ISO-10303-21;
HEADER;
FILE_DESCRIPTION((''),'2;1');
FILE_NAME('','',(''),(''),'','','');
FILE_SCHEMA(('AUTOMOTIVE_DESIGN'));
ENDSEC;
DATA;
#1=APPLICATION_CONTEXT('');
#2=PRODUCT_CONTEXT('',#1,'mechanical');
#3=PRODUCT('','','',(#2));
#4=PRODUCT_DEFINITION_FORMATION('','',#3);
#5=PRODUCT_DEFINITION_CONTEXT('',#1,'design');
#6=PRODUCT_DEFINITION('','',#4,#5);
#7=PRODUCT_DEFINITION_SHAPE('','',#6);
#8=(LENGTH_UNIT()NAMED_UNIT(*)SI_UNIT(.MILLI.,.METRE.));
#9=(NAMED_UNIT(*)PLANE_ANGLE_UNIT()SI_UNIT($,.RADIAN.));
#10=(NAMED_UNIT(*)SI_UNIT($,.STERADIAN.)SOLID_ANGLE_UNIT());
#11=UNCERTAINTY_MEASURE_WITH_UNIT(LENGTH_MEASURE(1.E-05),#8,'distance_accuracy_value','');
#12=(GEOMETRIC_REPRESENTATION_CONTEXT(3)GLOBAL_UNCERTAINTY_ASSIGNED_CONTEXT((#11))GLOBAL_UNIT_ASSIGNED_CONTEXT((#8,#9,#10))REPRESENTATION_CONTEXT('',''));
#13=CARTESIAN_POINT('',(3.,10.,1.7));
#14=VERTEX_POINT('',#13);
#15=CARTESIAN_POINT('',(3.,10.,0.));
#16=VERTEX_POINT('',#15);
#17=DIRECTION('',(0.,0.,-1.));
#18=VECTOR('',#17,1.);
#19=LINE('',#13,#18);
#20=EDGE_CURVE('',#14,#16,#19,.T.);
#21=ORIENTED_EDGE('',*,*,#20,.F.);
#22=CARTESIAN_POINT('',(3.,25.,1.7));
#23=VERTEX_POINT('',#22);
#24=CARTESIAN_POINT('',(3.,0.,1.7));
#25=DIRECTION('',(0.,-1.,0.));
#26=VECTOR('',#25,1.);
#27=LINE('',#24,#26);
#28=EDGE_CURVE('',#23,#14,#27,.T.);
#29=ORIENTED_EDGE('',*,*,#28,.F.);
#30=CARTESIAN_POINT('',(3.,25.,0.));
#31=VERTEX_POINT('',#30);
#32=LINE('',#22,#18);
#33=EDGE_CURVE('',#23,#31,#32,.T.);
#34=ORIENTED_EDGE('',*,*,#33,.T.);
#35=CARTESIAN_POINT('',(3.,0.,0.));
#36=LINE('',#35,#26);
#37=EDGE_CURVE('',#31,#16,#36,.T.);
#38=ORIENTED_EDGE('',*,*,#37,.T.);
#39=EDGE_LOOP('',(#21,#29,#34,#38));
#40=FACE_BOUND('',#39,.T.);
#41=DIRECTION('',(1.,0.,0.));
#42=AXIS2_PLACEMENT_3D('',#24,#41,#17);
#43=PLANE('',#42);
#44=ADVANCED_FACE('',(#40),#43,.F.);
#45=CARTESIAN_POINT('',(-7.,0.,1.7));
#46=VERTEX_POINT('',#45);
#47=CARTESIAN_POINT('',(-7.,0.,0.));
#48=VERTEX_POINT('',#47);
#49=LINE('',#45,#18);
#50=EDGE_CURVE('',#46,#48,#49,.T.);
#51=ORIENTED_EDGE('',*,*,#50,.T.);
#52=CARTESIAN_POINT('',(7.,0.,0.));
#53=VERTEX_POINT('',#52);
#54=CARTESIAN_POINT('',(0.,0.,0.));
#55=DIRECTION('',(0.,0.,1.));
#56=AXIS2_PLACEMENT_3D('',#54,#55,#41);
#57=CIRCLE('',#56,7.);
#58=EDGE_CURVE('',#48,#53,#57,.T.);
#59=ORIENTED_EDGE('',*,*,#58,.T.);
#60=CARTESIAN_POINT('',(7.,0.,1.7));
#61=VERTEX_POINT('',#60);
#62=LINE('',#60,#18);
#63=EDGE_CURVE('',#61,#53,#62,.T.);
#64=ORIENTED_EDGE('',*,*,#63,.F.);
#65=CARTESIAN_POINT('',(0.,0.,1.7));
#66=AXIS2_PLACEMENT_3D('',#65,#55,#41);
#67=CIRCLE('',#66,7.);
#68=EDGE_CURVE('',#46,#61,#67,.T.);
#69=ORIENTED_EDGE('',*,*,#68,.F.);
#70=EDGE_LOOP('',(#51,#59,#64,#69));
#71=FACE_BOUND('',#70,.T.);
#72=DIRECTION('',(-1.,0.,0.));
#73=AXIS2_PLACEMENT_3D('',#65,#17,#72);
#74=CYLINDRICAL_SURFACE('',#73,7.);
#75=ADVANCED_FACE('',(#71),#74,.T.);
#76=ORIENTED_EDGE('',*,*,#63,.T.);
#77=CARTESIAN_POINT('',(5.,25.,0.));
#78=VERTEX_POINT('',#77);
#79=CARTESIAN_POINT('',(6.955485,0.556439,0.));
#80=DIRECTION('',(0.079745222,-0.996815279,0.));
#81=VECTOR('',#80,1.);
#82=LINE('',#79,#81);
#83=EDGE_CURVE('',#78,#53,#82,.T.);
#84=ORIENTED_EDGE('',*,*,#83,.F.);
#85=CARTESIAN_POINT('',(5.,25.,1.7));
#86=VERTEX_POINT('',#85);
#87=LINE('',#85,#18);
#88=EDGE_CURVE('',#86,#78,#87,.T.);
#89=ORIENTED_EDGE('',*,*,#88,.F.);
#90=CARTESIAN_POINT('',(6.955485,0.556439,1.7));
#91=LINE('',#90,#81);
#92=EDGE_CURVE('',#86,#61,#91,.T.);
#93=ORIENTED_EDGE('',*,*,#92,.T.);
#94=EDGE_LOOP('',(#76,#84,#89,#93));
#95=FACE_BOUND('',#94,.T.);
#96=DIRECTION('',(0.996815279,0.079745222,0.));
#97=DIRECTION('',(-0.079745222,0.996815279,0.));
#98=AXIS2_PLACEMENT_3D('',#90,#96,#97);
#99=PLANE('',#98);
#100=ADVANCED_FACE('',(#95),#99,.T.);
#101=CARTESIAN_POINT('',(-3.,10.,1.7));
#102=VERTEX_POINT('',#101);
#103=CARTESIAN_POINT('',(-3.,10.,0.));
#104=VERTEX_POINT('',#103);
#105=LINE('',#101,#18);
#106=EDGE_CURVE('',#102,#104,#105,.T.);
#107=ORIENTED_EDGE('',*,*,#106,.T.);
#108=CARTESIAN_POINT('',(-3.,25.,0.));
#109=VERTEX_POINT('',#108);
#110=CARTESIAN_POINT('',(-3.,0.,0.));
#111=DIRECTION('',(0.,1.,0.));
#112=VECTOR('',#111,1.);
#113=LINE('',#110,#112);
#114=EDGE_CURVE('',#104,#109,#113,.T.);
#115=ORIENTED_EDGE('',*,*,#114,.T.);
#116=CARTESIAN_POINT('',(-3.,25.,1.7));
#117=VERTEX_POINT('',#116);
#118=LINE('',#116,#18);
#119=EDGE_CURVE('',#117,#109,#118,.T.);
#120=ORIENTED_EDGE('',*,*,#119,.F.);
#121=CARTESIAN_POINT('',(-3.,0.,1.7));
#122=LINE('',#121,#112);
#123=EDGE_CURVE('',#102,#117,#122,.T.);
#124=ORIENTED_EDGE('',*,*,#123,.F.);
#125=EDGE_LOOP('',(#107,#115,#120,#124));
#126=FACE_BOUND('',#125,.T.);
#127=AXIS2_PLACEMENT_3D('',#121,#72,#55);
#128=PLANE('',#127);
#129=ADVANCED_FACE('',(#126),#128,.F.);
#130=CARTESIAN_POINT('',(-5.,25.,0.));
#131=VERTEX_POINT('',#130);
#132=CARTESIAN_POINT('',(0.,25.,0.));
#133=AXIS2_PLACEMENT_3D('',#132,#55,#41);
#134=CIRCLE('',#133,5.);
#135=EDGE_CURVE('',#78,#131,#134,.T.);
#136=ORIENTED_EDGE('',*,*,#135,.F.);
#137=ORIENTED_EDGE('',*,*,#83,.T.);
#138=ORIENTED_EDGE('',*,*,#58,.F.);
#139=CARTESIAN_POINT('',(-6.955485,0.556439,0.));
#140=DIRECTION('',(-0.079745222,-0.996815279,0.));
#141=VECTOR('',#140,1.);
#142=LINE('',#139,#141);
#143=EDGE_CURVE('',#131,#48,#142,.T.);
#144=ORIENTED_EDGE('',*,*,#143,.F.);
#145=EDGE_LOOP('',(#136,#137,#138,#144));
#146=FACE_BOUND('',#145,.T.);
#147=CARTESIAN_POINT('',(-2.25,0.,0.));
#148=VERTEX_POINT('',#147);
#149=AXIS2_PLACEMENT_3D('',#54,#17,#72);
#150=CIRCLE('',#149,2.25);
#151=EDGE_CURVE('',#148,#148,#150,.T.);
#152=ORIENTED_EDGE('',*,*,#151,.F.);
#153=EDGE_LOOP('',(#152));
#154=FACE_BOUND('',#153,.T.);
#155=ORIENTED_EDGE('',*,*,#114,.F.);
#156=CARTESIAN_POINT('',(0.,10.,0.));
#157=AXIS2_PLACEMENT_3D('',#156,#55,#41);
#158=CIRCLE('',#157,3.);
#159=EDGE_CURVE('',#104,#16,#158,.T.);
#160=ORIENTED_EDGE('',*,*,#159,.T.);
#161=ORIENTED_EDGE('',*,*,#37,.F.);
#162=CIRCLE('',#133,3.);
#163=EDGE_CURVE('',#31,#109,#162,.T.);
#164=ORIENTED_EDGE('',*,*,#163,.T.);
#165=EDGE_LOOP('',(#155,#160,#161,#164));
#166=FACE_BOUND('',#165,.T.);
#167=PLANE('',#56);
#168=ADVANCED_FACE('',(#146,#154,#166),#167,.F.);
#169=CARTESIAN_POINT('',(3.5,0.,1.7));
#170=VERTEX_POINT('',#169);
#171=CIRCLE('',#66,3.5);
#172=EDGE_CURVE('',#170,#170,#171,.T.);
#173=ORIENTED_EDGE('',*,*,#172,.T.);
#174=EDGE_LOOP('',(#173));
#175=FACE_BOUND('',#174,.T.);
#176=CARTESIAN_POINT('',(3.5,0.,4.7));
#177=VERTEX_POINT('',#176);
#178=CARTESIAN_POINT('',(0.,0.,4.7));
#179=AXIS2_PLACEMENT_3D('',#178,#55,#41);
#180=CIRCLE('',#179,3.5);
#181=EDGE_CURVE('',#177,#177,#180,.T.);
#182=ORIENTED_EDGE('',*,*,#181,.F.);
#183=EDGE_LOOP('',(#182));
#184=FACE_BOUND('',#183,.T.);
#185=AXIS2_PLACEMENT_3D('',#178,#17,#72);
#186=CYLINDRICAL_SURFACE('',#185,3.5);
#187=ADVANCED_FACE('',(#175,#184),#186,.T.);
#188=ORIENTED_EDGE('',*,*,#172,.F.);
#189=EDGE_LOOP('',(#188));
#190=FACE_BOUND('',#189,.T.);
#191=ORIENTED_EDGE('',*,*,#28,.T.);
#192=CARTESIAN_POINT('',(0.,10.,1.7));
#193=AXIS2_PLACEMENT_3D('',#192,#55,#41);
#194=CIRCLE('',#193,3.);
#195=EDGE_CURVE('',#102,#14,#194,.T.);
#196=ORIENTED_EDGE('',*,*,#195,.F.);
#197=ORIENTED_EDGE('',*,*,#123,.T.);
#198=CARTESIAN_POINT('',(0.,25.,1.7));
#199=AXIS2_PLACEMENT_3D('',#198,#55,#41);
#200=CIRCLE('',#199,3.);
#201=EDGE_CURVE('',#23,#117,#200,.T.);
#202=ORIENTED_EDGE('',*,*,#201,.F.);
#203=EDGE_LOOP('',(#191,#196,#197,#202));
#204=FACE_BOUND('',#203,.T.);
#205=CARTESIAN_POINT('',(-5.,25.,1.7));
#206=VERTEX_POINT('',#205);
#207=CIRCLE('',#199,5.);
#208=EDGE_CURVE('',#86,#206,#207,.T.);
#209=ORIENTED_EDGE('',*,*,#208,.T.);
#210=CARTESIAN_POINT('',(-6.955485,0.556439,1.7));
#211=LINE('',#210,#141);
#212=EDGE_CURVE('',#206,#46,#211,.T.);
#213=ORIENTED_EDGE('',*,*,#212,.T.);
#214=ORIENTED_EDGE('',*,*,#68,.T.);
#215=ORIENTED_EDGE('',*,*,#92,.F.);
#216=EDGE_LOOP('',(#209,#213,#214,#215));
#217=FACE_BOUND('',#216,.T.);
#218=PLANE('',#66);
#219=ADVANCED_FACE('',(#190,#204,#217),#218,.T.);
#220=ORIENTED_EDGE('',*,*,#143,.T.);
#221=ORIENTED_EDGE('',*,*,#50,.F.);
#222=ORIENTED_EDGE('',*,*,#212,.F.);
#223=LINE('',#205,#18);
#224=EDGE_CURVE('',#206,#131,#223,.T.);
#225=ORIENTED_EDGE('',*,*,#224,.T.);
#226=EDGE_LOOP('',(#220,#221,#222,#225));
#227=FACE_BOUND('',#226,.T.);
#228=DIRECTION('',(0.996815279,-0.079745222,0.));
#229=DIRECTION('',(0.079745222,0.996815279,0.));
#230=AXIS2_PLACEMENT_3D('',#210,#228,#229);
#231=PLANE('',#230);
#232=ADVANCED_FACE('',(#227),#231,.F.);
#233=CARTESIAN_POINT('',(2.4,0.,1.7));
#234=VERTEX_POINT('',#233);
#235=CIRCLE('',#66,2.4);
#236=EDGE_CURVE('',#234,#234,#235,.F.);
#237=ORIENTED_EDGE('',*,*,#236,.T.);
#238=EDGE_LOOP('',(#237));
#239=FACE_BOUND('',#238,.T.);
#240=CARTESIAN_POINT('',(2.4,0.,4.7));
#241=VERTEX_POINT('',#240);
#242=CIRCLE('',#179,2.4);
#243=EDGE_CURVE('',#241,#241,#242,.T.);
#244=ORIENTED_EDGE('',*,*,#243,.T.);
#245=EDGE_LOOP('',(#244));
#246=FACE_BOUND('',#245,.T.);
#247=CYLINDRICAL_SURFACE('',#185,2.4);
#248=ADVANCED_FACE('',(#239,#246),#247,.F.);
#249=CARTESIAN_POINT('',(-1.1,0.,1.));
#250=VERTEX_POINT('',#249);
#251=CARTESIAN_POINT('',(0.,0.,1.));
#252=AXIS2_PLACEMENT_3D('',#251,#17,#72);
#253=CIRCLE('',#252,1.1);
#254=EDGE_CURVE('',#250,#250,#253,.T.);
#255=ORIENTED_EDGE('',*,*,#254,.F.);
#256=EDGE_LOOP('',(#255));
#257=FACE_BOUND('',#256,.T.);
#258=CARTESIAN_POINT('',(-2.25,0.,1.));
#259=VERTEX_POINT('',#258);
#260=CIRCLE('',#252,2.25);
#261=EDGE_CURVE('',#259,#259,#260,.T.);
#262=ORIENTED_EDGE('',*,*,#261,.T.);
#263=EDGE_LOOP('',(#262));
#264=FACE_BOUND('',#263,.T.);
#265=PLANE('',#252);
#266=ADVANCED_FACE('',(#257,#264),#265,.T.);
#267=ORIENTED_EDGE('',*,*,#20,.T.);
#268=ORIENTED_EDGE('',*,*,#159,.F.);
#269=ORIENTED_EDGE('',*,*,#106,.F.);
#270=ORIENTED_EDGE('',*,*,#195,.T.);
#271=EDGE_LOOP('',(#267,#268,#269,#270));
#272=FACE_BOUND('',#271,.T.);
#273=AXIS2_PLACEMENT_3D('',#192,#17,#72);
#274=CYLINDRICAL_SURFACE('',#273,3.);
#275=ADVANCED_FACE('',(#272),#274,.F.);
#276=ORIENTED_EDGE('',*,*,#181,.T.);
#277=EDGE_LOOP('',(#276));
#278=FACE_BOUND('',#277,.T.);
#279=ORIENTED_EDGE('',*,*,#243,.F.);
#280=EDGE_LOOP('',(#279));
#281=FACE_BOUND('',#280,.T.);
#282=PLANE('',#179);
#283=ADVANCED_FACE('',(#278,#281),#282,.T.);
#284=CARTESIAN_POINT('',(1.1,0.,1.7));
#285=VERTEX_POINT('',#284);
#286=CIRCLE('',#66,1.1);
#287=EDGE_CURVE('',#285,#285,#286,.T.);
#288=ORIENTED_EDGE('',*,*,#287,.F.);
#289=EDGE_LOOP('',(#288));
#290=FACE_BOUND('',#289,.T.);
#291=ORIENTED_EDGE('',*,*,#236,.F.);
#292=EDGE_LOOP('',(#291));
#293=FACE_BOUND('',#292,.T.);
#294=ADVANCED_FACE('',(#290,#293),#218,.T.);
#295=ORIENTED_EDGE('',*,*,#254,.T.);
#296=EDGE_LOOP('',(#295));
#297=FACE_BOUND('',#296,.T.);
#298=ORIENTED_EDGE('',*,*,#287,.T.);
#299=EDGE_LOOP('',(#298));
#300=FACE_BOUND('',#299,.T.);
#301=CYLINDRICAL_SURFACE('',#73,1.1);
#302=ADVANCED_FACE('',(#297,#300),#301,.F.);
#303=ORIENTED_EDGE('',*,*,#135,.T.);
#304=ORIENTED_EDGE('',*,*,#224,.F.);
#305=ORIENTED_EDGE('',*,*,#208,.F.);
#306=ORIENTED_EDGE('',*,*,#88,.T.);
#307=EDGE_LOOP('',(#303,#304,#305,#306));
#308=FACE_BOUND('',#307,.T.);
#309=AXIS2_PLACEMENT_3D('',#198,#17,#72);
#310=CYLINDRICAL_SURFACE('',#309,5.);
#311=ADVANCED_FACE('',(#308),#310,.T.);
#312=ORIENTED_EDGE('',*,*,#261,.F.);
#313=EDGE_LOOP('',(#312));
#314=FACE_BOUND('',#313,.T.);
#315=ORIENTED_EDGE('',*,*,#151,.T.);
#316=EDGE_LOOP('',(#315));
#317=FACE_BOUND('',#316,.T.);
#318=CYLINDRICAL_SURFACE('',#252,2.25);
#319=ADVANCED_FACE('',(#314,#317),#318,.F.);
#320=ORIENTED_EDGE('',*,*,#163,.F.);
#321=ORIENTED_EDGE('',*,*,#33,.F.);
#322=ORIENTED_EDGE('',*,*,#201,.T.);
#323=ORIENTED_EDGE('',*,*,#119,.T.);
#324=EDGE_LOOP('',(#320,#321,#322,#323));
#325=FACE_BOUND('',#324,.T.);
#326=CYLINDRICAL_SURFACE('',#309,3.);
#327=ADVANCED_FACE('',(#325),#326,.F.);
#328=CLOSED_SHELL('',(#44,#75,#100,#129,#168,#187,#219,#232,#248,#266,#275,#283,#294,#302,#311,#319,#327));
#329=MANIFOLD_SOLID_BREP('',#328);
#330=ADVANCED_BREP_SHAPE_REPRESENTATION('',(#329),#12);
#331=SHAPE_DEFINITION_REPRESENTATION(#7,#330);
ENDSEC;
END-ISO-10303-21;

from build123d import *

# Parameters (mm, degrees)
CROQUIS1_R              = 1.1
SALIENTE_EXTRUIR1_DEPTH = 1.7
CROQUIS2_R              = 3.5
CROQUIS2_R_2            = 2.4
SALIENTE_EXTRUIR2_DEPTH = 3
CROQUIS3_R              = 2.25
CORTAR_EXTRUIR1_DEPTH   = 1


with BuildPart() as part:
    # Croquis1 → Saliente-Extruir1 (new body)
    with BuildSketch(Plane.XY):
        with BuildLine():
            ThreePointArc((5, 25), (0, 30), (-5, 25))
            Line((-5, 25), (-6.910969793, 1.112877583))
            Line((-6.910969793, 1.112877583), (-7, 0))
            ThreePointArc((-7, 0), (0, -7), (7, 0))
            Line((7, 0), (6.910969793, 1.112877583))
            Line((6.910969793, 1.112877583), (5, 25))
        make_face()
        Circle(CROQUIS1_R, mode=Mode.SUBTRACT)
        with BuildLine():
            ThreePointArc((-3, 25), (0, 28), (3, 25))
            Line((3, 25), (3, 10))
            ThreePointArc((3, 10), (0, 7), (-3, 10))
            Line((-3, 10), (-3, 25))
        make_face(mode=Mode.SUBTRACT)
    extrude(amount=SALIENTE_EXTRUIR1_DEPTH)

    # Croquis2 → Saliente-Extruir2 (add)
    with BuildSketch(Plane.XY.offset(1.7)):
        Circle(CROQUIS2_R)
        Circle(CROQUIS2_R_2, mode=Mode.SUBTRACT)
    extrude(amount=SALIENTE_EXTRUIR2_DEPTH)

    # Croquis3 → Cortar-Extruir1 (cut)
    with BuildSketch(Plane(origin=(0, 0, 0), x_dir=(-1, 0, 0), z_dir=(0, 0, -1))):
        Circle(CROQUIS3_R)
    extrude(amount=-CORTAR_EXTRUIR1_DEPTH, mode=Mode.SUBTRACT)


solid = part.part
